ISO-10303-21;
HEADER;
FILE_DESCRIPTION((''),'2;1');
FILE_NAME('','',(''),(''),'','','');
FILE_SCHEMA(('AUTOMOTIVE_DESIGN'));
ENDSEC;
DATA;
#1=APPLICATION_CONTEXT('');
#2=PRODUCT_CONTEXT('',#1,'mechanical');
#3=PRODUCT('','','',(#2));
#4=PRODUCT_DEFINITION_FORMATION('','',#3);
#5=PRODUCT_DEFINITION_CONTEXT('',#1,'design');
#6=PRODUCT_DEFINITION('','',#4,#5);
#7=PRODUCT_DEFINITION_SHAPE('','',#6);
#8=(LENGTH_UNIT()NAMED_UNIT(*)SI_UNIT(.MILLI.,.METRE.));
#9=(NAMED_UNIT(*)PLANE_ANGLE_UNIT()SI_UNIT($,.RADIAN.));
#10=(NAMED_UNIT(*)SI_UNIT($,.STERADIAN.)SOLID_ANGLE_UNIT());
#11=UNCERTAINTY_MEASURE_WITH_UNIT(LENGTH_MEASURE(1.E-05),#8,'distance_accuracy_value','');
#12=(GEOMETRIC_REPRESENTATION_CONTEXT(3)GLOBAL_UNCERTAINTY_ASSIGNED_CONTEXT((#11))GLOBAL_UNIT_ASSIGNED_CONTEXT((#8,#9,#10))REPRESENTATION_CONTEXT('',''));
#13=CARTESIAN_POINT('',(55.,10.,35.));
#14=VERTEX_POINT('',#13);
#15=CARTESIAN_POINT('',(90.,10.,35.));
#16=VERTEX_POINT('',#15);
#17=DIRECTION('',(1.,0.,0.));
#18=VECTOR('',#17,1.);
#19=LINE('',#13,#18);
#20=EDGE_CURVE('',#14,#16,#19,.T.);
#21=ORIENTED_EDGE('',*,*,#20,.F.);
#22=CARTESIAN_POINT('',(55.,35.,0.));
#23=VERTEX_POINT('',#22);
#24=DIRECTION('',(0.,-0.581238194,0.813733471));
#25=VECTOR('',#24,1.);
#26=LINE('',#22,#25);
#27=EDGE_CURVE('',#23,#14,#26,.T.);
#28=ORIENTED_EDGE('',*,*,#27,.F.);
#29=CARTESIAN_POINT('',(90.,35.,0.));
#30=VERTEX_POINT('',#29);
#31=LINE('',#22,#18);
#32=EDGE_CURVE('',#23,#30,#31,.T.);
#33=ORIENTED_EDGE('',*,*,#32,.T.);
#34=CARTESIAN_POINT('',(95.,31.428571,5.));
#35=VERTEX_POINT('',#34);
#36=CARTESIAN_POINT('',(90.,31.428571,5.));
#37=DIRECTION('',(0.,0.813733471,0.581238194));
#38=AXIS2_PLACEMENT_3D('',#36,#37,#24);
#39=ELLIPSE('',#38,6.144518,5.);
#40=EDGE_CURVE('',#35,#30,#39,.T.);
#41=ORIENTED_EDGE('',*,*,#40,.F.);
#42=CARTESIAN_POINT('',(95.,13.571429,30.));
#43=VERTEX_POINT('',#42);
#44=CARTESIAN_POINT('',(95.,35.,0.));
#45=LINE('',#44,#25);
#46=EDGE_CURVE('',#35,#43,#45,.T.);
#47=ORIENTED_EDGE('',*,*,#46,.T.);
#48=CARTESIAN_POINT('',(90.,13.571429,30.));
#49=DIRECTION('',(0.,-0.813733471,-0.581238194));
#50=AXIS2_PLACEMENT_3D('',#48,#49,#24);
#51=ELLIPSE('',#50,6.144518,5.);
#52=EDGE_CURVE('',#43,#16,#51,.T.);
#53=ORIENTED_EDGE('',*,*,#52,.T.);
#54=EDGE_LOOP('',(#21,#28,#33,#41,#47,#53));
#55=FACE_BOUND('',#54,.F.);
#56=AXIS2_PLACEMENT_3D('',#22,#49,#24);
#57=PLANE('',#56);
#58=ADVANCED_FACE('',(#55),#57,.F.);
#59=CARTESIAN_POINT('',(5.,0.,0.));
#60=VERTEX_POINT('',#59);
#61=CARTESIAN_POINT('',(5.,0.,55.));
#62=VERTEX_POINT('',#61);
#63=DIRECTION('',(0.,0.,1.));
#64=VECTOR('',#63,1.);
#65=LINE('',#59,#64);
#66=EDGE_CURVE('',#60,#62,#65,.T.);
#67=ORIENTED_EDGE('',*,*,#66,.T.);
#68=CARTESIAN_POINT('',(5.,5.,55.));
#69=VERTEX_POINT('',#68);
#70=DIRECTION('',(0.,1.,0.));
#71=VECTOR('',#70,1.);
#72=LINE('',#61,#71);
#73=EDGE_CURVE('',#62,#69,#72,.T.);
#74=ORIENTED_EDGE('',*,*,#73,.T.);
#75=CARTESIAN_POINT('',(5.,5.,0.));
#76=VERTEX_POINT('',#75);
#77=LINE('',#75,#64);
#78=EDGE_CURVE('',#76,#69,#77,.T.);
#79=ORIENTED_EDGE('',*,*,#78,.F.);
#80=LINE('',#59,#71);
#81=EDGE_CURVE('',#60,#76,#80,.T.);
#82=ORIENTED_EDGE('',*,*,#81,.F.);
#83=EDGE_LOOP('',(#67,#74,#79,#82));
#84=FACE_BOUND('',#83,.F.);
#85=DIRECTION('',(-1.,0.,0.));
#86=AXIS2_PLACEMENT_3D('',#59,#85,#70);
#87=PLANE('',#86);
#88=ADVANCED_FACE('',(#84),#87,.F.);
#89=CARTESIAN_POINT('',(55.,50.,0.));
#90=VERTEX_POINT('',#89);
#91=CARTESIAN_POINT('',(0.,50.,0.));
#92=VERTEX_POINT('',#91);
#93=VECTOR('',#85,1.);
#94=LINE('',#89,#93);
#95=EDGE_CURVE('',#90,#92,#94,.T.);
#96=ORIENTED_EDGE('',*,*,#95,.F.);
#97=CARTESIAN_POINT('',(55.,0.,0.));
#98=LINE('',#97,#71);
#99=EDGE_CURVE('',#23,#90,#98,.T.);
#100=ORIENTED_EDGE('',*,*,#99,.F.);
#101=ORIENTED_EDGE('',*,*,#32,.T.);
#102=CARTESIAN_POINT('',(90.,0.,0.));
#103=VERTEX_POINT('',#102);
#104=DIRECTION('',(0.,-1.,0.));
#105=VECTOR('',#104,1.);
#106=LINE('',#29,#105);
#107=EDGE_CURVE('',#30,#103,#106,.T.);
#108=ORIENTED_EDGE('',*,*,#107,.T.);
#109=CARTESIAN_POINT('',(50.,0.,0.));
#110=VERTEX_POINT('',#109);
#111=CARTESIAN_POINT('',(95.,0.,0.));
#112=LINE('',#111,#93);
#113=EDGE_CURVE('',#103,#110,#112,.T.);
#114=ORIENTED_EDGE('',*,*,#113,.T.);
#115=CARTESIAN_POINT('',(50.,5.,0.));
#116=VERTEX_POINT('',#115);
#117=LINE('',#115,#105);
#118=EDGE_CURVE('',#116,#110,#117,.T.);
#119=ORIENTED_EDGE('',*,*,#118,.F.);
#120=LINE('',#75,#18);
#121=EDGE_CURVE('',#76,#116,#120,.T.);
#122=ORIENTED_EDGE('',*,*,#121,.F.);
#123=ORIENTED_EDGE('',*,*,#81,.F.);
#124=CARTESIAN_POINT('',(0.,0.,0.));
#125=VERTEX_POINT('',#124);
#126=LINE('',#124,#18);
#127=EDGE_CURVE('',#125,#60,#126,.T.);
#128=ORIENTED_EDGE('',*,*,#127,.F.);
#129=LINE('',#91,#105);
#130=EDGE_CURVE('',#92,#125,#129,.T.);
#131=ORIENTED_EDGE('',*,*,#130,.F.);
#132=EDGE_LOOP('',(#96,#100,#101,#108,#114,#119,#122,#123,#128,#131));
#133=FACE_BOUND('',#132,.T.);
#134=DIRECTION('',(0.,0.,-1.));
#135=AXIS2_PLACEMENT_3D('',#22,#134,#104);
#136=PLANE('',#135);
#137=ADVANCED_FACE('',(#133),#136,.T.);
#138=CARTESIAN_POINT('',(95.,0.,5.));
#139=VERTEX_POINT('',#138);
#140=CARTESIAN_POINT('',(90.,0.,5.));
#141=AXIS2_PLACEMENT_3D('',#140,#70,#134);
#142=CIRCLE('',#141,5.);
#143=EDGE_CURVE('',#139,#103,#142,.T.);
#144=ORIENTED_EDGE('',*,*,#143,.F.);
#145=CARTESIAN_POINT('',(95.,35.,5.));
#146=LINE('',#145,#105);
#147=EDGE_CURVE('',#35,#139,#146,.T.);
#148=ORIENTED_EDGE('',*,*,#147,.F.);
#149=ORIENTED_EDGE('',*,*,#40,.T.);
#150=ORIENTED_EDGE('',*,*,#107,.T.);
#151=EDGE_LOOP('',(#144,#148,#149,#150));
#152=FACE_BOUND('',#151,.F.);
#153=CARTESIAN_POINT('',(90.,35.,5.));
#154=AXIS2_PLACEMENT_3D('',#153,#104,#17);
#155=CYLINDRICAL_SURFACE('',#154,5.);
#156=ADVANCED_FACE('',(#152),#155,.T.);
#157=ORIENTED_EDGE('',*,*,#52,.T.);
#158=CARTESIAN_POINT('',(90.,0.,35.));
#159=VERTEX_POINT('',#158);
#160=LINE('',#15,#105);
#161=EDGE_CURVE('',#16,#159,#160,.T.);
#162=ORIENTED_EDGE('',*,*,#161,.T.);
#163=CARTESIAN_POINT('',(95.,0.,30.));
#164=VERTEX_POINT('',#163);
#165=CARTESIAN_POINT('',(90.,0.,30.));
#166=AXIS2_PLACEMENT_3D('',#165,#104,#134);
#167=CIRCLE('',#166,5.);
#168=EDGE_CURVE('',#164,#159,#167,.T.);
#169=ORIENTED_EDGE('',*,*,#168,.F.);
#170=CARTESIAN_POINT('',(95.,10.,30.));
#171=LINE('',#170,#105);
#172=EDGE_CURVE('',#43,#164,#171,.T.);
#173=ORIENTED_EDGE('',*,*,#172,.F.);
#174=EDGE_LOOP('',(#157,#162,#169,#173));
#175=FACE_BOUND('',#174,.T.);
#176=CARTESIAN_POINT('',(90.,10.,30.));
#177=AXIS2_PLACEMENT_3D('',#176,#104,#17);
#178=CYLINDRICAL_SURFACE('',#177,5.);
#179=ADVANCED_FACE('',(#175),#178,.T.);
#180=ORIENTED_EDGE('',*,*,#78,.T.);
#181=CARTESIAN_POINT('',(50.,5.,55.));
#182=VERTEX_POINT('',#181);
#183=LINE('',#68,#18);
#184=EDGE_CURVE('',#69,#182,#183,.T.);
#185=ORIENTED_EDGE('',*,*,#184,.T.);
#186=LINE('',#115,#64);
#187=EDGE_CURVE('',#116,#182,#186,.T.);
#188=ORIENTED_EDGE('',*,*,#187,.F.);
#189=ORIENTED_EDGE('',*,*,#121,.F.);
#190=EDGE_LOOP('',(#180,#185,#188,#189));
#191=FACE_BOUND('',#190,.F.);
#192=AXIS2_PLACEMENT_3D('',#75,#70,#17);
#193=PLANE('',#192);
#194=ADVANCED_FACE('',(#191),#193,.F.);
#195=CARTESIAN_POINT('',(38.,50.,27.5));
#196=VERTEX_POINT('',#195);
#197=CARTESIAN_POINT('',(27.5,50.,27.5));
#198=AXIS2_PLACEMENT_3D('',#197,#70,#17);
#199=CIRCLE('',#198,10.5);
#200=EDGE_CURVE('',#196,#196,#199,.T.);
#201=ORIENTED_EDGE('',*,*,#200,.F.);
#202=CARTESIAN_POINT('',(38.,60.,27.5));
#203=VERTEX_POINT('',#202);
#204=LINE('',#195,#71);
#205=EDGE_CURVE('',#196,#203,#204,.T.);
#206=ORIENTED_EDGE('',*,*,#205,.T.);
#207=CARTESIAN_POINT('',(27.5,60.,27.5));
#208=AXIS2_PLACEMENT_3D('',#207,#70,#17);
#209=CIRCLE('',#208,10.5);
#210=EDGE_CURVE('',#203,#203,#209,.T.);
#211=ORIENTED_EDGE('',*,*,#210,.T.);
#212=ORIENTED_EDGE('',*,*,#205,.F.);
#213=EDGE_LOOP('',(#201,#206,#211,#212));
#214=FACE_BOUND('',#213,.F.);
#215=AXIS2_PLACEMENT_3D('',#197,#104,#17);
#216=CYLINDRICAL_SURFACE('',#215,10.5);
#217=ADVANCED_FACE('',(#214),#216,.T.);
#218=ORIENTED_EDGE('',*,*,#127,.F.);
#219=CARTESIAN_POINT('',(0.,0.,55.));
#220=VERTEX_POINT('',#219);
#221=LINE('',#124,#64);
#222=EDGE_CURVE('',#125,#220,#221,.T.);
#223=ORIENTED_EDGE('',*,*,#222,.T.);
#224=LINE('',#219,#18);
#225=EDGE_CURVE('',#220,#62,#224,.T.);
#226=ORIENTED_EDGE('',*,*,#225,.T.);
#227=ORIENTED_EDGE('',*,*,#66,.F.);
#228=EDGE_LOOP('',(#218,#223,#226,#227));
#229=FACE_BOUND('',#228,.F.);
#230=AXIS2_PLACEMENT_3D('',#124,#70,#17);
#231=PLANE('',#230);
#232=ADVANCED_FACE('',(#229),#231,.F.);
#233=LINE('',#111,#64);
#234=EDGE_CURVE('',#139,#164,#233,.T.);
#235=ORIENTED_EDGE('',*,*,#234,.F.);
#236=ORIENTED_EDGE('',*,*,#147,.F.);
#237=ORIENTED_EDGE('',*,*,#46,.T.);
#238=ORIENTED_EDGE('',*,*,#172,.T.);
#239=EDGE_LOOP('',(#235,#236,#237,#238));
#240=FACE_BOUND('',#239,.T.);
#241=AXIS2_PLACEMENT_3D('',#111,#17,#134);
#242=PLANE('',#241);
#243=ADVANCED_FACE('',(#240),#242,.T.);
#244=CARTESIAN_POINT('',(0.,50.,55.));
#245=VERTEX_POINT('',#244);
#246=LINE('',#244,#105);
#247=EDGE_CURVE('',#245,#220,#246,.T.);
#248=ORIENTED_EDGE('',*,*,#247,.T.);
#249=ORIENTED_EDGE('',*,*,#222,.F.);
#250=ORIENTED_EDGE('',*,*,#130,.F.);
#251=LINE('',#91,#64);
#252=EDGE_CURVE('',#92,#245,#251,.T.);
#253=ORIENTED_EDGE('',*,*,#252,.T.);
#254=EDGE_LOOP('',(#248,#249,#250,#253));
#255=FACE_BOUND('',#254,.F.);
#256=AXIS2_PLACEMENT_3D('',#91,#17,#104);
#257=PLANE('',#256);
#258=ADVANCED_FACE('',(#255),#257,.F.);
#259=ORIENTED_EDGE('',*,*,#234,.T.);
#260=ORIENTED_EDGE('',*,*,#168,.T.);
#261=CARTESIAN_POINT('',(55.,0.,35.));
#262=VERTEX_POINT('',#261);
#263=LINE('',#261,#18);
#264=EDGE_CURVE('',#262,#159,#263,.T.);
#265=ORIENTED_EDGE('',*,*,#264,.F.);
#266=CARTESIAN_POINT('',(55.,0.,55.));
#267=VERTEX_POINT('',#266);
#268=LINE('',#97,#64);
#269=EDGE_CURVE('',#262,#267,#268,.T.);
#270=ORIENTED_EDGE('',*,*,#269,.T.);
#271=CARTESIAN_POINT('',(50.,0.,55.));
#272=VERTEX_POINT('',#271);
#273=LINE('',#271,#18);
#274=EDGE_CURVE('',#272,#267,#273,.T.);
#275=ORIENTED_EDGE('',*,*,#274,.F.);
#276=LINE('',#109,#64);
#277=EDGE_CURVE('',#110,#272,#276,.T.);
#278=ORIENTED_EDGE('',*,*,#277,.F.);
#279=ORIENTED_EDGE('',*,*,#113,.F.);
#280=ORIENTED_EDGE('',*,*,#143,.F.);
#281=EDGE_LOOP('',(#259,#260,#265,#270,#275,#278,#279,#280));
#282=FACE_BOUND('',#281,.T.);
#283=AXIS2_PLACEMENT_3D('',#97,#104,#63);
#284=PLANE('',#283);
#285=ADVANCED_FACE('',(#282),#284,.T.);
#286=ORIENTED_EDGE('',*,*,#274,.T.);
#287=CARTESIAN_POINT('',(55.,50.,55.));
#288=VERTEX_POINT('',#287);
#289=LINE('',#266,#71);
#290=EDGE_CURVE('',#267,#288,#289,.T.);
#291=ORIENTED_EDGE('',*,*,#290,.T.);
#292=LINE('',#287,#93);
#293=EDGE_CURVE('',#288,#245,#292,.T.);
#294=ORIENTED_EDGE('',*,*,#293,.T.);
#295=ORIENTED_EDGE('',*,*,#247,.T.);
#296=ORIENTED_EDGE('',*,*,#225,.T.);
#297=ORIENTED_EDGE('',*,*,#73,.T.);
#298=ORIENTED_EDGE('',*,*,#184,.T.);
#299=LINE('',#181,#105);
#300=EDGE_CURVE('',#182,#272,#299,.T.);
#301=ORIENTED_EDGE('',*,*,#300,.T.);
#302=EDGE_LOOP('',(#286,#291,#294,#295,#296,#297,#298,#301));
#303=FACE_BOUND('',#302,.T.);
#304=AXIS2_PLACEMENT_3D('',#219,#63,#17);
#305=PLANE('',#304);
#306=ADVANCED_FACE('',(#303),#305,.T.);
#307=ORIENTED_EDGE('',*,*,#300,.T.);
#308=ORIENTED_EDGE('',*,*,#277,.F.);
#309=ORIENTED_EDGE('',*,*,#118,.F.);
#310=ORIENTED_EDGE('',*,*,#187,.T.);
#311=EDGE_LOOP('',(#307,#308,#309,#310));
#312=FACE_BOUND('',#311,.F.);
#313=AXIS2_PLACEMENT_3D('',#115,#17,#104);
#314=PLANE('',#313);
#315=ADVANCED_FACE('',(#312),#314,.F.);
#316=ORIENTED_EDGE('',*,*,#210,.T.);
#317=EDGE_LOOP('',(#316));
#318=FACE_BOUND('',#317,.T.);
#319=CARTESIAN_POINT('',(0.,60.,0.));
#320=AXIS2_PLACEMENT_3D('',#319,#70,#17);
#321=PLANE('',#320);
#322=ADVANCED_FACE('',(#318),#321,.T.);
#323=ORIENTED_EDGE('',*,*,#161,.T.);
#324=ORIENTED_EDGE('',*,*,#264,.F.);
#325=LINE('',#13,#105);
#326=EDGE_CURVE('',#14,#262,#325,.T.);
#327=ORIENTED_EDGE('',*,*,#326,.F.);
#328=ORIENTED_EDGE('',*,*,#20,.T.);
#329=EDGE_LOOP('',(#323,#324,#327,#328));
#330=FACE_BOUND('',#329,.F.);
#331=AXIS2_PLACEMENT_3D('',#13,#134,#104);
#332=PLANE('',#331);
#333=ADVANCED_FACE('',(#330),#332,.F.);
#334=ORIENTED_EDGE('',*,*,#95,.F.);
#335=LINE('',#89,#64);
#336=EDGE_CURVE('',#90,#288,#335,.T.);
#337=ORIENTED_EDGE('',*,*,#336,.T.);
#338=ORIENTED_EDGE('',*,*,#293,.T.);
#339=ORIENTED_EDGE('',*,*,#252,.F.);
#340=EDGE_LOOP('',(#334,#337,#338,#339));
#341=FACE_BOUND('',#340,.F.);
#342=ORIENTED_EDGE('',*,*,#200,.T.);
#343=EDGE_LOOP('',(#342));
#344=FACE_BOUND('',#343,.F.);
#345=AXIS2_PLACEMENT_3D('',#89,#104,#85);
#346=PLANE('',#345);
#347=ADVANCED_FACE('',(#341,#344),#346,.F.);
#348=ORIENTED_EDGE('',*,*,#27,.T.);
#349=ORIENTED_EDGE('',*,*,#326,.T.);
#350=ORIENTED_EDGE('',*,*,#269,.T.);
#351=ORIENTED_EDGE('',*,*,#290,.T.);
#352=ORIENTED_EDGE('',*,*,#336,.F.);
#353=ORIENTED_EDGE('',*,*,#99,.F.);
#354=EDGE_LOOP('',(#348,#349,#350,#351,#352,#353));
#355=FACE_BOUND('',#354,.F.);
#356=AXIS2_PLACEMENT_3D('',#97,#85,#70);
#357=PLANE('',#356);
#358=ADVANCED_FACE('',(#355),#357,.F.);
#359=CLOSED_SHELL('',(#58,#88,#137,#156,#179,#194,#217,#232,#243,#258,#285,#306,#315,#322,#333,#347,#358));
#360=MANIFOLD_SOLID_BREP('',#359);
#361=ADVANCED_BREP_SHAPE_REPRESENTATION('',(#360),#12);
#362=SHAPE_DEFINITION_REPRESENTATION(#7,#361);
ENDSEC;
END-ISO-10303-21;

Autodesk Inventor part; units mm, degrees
ref_plane "YZ Plane" through (0, 0, 0) normal (1, 0, 0) x (0, 1, 0)
ref_plane "XZ Plane" through (0, 0, 0) normal (0, 1, 0) x (-1, 0, 0)
ref_plane "XY Plane" through (0, 0, 0) normal (0, 0, 1) x (1, 0, 0)
sketch "Sketch1" plane through (0, 0, 0) normal (0, 0, 1) x (1, 0, 0)
  line L0 (0, 0) -> (5, 0)
  line L1 (5, 0) -> (5, 5)
  line L2 (5, 5) -> (50, 5)
  line L3 (50, 5) -> (50, 0)
  line L4 (50, 0) -> (55, 0)
  line L5 (55, 0) -> (55, 50)
  line L6 (55, 50) -> (0, 50)
  line L7 (0, 50) -> (0, 0)
  dimension "d0" = 50
  dimension "d1" = 5
  dimension "d2" = 5
  dimension "d3" = 5
  dimension "d4" = 45
extrude "Extrusion1" add sketch "Sketch1" along normal blind 55
sketch "Sketch2" plane through (0, 50, 0) normal (0, 1, 0) x (1, 0, 0)
  circle A0 centre (27.5, -27.5) radius 10.5
  line L0 (55, -55) -> (0, -55) projected
  line L1 (0, 0) -> (0, -55) projected
  dimension "d7" = 21
  dimension "d8" = 27.5
  dimension "d9" = 27.5
extrude "Extrusion2" add sketch "Sketch2" along normal blind 10
sketch "Sketch3" plane through (55, 0, 0) normal (1, 0, 0) x (0, 0, -1)
  line L0 (0, 50) -> (0, 0) projected
  line L1 (0, 0) -> (0, 35)
  line L2 (0, 35) -> (-35, 10)
  line L3 (-35, 10) -> (-35, 0)
  line L4 (0, 0) -> (-55, 0) projected
  line L5 (-35, 0) -> (0, 0)
  line L6 (0, 0) -> (0, 35)
  point P0 (-35, 0)
  dimension "d12" = 35
  dimension "d13" = 0
  dimension "d14" = 10
  dimension "d15" = 35
extrude "Extrusion3" add sketch "Sketch3" along normal blind 40
fillet "Fillet1" radius 5 1 edges at (95, 5, 35)
fillet "Fillet2" radius 5 1 edges at (95, 17.5, 0)
properties part number "khurramf_Graphics2"
